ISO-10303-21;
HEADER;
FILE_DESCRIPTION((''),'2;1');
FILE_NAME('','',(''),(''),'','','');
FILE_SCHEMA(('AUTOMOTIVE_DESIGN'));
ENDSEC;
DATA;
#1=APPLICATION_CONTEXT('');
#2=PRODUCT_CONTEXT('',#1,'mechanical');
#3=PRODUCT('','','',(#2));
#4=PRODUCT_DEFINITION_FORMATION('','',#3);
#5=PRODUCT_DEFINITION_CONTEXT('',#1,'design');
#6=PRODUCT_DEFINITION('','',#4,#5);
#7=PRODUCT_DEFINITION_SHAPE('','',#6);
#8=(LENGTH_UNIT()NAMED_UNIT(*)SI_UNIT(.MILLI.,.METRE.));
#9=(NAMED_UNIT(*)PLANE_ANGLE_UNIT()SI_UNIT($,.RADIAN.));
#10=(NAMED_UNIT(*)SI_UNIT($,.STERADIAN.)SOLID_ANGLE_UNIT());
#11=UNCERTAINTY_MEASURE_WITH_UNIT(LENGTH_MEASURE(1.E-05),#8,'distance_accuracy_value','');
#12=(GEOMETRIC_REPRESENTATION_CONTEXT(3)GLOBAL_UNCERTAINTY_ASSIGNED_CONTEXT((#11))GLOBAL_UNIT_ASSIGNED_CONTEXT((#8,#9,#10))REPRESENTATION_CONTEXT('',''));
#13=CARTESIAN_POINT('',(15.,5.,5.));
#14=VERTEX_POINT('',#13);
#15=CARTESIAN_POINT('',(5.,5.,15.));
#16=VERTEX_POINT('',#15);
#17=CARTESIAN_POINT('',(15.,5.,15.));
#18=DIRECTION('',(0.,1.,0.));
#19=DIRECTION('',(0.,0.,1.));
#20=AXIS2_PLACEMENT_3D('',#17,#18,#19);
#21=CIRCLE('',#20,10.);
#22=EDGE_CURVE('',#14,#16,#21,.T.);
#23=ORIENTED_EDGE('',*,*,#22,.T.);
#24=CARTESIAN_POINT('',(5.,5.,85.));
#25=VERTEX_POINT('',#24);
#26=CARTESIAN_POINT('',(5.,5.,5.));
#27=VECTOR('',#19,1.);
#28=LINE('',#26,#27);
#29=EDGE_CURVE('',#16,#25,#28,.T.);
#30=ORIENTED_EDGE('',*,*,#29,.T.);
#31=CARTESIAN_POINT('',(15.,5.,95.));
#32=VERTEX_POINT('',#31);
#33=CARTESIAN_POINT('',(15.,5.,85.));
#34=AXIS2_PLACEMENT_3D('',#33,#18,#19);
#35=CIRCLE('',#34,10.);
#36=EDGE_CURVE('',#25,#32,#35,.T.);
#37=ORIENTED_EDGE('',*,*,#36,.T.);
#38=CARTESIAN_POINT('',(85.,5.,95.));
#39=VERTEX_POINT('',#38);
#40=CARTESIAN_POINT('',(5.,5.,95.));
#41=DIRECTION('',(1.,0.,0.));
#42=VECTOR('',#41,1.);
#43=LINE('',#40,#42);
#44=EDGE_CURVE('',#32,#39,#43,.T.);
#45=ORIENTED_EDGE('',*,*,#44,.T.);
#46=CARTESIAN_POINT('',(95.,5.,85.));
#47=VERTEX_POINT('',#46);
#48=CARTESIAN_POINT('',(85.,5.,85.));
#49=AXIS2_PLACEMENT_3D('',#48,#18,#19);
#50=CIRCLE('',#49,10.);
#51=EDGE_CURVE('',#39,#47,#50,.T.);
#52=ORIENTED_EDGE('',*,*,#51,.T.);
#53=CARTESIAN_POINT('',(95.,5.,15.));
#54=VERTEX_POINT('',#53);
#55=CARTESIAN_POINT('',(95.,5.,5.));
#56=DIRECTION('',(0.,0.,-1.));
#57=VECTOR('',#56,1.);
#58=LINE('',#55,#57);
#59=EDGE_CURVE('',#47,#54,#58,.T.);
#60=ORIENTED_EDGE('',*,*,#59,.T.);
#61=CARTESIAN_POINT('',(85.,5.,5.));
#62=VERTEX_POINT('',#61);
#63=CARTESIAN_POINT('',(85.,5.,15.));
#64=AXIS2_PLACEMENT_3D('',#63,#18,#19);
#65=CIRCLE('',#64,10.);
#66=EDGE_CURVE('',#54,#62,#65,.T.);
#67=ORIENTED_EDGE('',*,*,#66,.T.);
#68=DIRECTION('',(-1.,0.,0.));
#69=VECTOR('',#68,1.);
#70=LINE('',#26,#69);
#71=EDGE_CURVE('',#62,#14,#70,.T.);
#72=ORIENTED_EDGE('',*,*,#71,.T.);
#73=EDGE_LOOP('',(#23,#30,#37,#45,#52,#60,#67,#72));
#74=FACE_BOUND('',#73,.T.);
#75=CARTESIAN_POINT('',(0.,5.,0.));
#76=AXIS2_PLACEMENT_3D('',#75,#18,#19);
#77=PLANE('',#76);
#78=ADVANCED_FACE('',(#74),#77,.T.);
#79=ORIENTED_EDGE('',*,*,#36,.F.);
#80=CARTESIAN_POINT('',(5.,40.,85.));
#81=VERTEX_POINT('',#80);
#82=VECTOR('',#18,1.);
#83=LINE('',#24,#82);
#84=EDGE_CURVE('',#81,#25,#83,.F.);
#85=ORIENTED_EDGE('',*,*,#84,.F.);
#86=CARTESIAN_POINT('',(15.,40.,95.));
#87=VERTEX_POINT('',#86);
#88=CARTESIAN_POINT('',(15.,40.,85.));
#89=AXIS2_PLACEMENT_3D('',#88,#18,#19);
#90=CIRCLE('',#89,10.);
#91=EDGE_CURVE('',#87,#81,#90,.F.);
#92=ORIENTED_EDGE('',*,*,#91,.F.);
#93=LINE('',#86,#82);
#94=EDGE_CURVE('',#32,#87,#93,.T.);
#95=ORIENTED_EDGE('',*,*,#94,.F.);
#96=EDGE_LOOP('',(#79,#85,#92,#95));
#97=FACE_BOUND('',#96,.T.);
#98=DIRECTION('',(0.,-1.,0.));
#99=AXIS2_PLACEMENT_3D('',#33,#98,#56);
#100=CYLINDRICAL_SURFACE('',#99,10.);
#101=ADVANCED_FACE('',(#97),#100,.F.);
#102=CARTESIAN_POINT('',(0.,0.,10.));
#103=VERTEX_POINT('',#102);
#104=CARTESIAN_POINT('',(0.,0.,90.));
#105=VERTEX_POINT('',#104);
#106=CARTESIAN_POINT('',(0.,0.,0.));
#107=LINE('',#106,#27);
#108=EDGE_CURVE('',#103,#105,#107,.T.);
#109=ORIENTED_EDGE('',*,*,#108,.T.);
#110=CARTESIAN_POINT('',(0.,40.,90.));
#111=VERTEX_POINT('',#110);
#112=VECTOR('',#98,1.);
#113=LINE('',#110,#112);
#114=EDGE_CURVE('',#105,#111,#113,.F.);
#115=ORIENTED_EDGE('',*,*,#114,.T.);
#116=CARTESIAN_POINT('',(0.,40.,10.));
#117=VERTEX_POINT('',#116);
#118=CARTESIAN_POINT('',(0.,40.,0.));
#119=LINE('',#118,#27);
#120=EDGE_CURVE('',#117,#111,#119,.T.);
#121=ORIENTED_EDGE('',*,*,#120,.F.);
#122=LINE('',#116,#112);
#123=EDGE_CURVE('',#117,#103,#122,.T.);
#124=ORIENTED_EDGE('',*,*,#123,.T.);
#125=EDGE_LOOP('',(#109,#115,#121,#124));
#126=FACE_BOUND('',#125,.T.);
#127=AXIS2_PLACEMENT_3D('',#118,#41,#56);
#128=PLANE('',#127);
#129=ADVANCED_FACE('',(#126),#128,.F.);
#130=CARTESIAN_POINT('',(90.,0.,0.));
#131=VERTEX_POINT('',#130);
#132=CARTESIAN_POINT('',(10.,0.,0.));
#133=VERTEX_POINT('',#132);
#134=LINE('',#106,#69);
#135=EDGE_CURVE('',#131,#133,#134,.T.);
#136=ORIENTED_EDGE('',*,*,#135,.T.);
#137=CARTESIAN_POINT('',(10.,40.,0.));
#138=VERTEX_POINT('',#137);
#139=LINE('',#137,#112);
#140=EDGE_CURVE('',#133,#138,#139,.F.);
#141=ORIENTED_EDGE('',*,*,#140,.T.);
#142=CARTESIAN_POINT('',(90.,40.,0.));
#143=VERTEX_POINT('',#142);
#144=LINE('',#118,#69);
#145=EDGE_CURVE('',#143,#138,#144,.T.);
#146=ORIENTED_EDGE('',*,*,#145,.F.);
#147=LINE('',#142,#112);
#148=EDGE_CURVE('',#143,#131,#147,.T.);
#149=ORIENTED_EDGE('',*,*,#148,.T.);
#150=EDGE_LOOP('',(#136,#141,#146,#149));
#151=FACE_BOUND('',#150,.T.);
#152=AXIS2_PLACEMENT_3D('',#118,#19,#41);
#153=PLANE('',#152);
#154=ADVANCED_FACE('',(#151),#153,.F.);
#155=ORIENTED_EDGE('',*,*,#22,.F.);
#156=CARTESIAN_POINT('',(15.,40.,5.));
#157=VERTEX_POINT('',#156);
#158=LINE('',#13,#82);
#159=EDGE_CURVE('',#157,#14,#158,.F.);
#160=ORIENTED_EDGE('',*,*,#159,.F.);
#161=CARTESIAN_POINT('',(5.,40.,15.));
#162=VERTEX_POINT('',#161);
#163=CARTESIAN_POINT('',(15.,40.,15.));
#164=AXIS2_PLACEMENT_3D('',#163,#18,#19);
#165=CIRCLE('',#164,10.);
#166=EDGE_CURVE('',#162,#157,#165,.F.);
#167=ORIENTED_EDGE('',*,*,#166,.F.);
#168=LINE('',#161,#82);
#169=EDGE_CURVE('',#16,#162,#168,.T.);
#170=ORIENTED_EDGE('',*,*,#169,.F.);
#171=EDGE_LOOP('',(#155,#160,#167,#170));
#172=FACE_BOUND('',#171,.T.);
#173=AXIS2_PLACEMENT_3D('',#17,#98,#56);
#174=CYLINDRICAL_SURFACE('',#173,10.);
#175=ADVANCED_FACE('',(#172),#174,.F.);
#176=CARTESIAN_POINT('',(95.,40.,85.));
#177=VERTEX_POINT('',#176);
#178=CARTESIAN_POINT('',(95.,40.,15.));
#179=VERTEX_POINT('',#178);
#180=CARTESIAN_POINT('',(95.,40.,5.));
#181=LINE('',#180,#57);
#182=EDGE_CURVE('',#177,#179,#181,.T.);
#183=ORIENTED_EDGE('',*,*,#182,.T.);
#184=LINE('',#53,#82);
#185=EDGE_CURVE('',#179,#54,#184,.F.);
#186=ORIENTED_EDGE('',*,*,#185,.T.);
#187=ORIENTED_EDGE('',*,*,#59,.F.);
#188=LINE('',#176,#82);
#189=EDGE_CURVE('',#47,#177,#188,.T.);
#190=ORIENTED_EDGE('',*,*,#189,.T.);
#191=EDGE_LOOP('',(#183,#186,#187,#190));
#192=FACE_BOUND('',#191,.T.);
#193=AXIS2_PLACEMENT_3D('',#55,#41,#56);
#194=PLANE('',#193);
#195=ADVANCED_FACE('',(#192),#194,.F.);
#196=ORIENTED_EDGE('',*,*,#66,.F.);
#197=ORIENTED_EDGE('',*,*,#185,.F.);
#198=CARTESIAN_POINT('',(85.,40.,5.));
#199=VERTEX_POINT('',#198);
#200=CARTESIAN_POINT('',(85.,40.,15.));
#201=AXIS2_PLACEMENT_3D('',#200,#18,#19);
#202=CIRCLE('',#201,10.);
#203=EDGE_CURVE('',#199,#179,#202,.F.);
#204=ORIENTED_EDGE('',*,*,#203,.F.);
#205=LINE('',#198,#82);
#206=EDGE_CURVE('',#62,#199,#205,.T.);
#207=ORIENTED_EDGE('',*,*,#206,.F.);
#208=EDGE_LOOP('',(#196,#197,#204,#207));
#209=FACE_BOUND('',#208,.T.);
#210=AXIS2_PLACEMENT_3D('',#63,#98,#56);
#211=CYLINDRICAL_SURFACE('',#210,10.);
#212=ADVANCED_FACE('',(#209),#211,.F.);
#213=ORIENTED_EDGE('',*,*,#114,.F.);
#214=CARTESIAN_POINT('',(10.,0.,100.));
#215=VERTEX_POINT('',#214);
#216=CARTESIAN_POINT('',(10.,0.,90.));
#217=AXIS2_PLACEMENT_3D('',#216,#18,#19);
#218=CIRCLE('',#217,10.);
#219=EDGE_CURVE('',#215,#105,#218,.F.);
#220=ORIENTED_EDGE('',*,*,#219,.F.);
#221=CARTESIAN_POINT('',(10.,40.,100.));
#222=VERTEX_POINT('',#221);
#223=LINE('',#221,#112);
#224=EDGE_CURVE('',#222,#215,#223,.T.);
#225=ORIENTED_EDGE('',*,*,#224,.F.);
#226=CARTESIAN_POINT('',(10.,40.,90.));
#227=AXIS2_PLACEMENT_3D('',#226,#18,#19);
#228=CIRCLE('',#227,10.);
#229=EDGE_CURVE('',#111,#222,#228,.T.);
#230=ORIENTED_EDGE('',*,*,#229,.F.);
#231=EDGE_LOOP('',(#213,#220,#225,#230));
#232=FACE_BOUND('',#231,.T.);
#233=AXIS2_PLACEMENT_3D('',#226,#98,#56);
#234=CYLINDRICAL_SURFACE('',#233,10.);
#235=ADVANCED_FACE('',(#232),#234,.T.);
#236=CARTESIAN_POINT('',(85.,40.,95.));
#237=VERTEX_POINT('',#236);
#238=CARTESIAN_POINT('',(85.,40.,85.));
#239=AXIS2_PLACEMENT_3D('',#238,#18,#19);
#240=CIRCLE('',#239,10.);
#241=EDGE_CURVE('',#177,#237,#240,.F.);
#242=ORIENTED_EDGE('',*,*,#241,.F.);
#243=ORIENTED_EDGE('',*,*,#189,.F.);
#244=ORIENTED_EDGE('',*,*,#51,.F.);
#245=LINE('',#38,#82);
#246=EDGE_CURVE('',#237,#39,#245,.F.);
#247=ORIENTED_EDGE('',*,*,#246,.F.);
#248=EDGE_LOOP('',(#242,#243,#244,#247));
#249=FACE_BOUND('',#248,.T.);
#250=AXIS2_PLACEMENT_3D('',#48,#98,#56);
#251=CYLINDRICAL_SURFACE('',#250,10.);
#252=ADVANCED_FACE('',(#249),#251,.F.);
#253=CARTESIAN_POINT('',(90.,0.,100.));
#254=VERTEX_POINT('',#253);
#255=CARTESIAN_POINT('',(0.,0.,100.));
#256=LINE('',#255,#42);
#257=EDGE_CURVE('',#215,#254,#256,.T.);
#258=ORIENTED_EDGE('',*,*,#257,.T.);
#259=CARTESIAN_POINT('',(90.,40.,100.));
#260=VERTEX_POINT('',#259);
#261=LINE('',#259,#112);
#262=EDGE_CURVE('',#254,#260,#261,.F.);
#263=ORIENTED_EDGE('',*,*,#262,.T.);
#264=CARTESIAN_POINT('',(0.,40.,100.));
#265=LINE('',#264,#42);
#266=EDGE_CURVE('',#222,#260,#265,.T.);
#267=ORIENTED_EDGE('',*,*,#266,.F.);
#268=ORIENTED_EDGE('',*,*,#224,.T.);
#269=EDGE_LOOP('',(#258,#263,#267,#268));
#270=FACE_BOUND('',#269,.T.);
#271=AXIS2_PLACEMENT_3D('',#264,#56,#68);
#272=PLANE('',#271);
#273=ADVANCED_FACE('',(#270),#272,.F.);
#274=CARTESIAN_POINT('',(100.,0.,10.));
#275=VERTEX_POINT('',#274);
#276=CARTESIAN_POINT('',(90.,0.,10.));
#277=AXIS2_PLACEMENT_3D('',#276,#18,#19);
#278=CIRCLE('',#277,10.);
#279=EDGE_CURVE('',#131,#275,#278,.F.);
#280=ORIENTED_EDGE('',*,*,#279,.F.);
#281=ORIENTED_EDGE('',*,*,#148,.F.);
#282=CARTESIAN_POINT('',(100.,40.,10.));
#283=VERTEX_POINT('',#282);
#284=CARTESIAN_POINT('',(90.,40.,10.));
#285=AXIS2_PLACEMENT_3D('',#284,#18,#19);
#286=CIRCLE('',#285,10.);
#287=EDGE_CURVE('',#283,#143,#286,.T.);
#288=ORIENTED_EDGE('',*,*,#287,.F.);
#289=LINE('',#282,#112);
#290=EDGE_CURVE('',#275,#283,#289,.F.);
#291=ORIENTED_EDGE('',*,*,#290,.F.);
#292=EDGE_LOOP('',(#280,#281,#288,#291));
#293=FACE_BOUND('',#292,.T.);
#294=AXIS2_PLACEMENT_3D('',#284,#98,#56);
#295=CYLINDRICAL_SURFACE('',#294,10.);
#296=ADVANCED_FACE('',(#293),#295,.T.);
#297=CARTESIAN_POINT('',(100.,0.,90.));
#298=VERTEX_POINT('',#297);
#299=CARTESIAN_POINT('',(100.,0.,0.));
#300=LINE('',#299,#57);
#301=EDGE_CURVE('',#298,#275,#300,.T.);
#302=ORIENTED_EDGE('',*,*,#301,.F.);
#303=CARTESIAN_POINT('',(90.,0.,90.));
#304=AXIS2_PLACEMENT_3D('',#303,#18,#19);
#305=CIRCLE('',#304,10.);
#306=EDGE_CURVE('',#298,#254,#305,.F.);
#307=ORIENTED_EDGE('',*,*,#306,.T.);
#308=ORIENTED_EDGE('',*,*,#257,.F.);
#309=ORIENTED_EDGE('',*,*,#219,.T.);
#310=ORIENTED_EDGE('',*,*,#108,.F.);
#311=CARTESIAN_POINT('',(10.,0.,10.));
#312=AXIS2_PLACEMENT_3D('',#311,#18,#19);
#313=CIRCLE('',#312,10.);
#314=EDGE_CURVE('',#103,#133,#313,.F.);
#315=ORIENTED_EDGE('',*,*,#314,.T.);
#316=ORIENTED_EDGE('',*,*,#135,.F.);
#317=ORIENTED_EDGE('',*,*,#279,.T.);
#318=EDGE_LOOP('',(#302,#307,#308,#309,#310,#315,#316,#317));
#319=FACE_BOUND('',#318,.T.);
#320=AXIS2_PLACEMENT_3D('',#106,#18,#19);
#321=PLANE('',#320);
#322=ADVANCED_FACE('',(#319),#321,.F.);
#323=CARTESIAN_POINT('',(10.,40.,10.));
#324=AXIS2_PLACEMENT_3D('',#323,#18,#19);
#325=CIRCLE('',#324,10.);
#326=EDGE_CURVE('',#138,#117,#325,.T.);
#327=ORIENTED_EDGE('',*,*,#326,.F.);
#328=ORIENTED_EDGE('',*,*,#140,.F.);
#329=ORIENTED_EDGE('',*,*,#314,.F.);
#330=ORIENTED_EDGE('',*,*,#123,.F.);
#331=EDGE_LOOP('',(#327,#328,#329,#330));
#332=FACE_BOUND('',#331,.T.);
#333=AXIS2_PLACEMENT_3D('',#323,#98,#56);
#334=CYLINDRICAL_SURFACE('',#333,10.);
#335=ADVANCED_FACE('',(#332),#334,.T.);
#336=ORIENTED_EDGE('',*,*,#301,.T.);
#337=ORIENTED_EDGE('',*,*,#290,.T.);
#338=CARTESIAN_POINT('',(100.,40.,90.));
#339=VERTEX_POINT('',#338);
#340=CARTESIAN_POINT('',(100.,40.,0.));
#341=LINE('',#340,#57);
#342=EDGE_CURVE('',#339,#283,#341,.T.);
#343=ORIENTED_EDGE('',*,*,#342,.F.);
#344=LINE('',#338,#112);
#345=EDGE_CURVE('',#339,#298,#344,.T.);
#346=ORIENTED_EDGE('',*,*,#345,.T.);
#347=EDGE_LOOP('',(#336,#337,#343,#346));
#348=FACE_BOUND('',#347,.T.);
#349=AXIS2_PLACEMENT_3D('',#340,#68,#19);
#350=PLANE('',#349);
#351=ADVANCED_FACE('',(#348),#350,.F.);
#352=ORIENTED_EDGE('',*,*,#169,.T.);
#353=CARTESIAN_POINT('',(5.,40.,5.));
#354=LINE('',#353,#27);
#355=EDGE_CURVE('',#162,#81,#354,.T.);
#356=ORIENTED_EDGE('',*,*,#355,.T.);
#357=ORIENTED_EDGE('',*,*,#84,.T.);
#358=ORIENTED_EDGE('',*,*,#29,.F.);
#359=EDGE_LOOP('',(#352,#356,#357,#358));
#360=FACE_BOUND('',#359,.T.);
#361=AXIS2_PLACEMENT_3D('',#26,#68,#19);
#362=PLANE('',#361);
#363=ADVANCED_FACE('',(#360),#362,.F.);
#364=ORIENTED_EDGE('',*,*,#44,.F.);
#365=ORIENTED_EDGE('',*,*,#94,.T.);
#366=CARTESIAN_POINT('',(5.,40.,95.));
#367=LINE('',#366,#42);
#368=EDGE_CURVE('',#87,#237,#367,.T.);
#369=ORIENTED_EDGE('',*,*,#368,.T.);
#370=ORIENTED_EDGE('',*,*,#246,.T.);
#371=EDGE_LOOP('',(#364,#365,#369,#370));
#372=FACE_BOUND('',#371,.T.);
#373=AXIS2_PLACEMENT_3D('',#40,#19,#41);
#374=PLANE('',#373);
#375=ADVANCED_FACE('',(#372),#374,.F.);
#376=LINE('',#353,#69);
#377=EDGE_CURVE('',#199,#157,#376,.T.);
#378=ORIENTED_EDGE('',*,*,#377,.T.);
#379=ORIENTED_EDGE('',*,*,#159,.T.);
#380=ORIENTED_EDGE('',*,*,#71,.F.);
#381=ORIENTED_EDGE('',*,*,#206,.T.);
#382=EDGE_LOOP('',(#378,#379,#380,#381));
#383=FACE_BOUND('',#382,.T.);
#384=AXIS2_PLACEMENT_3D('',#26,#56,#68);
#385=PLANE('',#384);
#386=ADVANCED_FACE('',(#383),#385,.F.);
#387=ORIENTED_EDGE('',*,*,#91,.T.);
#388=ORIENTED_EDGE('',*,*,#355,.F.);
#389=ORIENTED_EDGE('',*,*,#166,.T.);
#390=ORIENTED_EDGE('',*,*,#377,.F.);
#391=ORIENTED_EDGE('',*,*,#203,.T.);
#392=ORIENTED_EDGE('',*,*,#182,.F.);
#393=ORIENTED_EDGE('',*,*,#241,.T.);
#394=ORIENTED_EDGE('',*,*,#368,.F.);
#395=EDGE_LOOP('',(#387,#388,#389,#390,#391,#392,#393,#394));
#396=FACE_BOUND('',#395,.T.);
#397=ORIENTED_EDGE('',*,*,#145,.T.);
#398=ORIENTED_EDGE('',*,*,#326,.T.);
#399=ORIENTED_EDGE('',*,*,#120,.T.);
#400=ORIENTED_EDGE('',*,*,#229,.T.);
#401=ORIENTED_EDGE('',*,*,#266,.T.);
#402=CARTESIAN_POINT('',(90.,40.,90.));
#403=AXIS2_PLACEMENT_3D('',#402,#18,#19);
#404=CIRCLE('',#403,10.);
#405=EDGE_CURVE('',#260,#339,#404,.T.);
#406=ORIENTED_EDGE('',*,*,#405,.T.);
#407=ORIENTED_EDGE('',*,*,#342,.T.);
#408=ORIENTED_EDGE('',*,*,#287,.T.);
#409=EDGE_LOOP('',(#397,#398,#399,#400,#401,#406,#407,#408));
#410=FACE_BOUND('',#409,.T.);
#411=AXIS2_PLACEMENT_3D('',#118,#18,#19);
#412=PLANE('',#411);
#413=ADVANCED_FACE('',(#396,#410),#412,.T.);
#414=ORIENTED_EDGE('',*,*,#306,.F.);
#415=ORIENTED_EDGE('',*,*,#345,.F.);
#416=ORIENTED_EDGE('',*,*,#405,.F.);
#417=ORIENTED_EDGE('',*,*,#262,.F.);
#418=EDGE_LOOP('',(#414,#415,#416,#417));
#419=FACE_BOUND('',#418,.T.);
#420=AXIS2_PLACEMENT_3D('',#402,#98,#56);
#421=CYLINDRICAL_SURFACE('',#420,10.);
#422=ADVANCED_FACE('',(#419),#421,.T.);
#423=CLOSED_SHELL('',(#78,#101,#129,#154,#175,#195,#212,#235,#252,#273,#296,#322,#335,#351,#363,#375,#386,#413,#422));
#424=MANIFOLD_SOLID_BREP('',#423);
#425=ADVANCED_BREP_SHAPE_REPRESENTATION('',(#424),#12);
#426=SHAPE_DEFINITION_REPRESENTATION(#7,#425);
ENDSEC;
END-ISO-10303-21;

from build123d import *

# Parameters (mm, degrees)
SKETCH1_W           = 100
SKETCH1_H           = 100
BOSS_EXTRUDE1_DEPTH = 40
SKETCH2_W           = 90
SKETCH2_H           = 90
CUT_EXTRUDE1_DEPTH  = 35
FILLET1_R           = 10


with BuildPart() as part:
    # Sketch1 → Boss-Extrude1 (new body)
    with BuildSketch(Plane(origin=(0, 0, 0), x_dir=(1, 0, 0), z_dir=(0, 1, 0))):
        with Locations((50, -50)):
            Rectangle(SKETCH1_W, SKETCH1_H)
    extrude(amount=BOSS_EXTRUDE1_DEPTH)

    # Sketch2 → Cut-Extrude1 (cut)
    with BuildSketch(Plane(origin=(0, 40, 0), x_dir=(1, 0, 0), z_dir=(0, 1, 0))):
        with Locations((50, -50)):
            Rectangle(SKETCH2_W, SKETCH2_H)
    extrude(amount=-CUT_EXTRUDE1_DEPTH, mode=Mode.SUBTRACT)

    # Fillet1
    fillet1_edges = [part.edges().sort_by_distance(p)[0] for p in [
        (5, 22.5, 95),
        (5, 22.5, 5),
        (95, 22.5, 5),
        (95, 22.5, 95),
        (0, 20, 0),
        (100, 20, 0),
        (100, 20, 100),
        (0, 20, 100),
    ]]
    fillet(fillet1_edges, radius=FILLET1_R)


solid = part.part
